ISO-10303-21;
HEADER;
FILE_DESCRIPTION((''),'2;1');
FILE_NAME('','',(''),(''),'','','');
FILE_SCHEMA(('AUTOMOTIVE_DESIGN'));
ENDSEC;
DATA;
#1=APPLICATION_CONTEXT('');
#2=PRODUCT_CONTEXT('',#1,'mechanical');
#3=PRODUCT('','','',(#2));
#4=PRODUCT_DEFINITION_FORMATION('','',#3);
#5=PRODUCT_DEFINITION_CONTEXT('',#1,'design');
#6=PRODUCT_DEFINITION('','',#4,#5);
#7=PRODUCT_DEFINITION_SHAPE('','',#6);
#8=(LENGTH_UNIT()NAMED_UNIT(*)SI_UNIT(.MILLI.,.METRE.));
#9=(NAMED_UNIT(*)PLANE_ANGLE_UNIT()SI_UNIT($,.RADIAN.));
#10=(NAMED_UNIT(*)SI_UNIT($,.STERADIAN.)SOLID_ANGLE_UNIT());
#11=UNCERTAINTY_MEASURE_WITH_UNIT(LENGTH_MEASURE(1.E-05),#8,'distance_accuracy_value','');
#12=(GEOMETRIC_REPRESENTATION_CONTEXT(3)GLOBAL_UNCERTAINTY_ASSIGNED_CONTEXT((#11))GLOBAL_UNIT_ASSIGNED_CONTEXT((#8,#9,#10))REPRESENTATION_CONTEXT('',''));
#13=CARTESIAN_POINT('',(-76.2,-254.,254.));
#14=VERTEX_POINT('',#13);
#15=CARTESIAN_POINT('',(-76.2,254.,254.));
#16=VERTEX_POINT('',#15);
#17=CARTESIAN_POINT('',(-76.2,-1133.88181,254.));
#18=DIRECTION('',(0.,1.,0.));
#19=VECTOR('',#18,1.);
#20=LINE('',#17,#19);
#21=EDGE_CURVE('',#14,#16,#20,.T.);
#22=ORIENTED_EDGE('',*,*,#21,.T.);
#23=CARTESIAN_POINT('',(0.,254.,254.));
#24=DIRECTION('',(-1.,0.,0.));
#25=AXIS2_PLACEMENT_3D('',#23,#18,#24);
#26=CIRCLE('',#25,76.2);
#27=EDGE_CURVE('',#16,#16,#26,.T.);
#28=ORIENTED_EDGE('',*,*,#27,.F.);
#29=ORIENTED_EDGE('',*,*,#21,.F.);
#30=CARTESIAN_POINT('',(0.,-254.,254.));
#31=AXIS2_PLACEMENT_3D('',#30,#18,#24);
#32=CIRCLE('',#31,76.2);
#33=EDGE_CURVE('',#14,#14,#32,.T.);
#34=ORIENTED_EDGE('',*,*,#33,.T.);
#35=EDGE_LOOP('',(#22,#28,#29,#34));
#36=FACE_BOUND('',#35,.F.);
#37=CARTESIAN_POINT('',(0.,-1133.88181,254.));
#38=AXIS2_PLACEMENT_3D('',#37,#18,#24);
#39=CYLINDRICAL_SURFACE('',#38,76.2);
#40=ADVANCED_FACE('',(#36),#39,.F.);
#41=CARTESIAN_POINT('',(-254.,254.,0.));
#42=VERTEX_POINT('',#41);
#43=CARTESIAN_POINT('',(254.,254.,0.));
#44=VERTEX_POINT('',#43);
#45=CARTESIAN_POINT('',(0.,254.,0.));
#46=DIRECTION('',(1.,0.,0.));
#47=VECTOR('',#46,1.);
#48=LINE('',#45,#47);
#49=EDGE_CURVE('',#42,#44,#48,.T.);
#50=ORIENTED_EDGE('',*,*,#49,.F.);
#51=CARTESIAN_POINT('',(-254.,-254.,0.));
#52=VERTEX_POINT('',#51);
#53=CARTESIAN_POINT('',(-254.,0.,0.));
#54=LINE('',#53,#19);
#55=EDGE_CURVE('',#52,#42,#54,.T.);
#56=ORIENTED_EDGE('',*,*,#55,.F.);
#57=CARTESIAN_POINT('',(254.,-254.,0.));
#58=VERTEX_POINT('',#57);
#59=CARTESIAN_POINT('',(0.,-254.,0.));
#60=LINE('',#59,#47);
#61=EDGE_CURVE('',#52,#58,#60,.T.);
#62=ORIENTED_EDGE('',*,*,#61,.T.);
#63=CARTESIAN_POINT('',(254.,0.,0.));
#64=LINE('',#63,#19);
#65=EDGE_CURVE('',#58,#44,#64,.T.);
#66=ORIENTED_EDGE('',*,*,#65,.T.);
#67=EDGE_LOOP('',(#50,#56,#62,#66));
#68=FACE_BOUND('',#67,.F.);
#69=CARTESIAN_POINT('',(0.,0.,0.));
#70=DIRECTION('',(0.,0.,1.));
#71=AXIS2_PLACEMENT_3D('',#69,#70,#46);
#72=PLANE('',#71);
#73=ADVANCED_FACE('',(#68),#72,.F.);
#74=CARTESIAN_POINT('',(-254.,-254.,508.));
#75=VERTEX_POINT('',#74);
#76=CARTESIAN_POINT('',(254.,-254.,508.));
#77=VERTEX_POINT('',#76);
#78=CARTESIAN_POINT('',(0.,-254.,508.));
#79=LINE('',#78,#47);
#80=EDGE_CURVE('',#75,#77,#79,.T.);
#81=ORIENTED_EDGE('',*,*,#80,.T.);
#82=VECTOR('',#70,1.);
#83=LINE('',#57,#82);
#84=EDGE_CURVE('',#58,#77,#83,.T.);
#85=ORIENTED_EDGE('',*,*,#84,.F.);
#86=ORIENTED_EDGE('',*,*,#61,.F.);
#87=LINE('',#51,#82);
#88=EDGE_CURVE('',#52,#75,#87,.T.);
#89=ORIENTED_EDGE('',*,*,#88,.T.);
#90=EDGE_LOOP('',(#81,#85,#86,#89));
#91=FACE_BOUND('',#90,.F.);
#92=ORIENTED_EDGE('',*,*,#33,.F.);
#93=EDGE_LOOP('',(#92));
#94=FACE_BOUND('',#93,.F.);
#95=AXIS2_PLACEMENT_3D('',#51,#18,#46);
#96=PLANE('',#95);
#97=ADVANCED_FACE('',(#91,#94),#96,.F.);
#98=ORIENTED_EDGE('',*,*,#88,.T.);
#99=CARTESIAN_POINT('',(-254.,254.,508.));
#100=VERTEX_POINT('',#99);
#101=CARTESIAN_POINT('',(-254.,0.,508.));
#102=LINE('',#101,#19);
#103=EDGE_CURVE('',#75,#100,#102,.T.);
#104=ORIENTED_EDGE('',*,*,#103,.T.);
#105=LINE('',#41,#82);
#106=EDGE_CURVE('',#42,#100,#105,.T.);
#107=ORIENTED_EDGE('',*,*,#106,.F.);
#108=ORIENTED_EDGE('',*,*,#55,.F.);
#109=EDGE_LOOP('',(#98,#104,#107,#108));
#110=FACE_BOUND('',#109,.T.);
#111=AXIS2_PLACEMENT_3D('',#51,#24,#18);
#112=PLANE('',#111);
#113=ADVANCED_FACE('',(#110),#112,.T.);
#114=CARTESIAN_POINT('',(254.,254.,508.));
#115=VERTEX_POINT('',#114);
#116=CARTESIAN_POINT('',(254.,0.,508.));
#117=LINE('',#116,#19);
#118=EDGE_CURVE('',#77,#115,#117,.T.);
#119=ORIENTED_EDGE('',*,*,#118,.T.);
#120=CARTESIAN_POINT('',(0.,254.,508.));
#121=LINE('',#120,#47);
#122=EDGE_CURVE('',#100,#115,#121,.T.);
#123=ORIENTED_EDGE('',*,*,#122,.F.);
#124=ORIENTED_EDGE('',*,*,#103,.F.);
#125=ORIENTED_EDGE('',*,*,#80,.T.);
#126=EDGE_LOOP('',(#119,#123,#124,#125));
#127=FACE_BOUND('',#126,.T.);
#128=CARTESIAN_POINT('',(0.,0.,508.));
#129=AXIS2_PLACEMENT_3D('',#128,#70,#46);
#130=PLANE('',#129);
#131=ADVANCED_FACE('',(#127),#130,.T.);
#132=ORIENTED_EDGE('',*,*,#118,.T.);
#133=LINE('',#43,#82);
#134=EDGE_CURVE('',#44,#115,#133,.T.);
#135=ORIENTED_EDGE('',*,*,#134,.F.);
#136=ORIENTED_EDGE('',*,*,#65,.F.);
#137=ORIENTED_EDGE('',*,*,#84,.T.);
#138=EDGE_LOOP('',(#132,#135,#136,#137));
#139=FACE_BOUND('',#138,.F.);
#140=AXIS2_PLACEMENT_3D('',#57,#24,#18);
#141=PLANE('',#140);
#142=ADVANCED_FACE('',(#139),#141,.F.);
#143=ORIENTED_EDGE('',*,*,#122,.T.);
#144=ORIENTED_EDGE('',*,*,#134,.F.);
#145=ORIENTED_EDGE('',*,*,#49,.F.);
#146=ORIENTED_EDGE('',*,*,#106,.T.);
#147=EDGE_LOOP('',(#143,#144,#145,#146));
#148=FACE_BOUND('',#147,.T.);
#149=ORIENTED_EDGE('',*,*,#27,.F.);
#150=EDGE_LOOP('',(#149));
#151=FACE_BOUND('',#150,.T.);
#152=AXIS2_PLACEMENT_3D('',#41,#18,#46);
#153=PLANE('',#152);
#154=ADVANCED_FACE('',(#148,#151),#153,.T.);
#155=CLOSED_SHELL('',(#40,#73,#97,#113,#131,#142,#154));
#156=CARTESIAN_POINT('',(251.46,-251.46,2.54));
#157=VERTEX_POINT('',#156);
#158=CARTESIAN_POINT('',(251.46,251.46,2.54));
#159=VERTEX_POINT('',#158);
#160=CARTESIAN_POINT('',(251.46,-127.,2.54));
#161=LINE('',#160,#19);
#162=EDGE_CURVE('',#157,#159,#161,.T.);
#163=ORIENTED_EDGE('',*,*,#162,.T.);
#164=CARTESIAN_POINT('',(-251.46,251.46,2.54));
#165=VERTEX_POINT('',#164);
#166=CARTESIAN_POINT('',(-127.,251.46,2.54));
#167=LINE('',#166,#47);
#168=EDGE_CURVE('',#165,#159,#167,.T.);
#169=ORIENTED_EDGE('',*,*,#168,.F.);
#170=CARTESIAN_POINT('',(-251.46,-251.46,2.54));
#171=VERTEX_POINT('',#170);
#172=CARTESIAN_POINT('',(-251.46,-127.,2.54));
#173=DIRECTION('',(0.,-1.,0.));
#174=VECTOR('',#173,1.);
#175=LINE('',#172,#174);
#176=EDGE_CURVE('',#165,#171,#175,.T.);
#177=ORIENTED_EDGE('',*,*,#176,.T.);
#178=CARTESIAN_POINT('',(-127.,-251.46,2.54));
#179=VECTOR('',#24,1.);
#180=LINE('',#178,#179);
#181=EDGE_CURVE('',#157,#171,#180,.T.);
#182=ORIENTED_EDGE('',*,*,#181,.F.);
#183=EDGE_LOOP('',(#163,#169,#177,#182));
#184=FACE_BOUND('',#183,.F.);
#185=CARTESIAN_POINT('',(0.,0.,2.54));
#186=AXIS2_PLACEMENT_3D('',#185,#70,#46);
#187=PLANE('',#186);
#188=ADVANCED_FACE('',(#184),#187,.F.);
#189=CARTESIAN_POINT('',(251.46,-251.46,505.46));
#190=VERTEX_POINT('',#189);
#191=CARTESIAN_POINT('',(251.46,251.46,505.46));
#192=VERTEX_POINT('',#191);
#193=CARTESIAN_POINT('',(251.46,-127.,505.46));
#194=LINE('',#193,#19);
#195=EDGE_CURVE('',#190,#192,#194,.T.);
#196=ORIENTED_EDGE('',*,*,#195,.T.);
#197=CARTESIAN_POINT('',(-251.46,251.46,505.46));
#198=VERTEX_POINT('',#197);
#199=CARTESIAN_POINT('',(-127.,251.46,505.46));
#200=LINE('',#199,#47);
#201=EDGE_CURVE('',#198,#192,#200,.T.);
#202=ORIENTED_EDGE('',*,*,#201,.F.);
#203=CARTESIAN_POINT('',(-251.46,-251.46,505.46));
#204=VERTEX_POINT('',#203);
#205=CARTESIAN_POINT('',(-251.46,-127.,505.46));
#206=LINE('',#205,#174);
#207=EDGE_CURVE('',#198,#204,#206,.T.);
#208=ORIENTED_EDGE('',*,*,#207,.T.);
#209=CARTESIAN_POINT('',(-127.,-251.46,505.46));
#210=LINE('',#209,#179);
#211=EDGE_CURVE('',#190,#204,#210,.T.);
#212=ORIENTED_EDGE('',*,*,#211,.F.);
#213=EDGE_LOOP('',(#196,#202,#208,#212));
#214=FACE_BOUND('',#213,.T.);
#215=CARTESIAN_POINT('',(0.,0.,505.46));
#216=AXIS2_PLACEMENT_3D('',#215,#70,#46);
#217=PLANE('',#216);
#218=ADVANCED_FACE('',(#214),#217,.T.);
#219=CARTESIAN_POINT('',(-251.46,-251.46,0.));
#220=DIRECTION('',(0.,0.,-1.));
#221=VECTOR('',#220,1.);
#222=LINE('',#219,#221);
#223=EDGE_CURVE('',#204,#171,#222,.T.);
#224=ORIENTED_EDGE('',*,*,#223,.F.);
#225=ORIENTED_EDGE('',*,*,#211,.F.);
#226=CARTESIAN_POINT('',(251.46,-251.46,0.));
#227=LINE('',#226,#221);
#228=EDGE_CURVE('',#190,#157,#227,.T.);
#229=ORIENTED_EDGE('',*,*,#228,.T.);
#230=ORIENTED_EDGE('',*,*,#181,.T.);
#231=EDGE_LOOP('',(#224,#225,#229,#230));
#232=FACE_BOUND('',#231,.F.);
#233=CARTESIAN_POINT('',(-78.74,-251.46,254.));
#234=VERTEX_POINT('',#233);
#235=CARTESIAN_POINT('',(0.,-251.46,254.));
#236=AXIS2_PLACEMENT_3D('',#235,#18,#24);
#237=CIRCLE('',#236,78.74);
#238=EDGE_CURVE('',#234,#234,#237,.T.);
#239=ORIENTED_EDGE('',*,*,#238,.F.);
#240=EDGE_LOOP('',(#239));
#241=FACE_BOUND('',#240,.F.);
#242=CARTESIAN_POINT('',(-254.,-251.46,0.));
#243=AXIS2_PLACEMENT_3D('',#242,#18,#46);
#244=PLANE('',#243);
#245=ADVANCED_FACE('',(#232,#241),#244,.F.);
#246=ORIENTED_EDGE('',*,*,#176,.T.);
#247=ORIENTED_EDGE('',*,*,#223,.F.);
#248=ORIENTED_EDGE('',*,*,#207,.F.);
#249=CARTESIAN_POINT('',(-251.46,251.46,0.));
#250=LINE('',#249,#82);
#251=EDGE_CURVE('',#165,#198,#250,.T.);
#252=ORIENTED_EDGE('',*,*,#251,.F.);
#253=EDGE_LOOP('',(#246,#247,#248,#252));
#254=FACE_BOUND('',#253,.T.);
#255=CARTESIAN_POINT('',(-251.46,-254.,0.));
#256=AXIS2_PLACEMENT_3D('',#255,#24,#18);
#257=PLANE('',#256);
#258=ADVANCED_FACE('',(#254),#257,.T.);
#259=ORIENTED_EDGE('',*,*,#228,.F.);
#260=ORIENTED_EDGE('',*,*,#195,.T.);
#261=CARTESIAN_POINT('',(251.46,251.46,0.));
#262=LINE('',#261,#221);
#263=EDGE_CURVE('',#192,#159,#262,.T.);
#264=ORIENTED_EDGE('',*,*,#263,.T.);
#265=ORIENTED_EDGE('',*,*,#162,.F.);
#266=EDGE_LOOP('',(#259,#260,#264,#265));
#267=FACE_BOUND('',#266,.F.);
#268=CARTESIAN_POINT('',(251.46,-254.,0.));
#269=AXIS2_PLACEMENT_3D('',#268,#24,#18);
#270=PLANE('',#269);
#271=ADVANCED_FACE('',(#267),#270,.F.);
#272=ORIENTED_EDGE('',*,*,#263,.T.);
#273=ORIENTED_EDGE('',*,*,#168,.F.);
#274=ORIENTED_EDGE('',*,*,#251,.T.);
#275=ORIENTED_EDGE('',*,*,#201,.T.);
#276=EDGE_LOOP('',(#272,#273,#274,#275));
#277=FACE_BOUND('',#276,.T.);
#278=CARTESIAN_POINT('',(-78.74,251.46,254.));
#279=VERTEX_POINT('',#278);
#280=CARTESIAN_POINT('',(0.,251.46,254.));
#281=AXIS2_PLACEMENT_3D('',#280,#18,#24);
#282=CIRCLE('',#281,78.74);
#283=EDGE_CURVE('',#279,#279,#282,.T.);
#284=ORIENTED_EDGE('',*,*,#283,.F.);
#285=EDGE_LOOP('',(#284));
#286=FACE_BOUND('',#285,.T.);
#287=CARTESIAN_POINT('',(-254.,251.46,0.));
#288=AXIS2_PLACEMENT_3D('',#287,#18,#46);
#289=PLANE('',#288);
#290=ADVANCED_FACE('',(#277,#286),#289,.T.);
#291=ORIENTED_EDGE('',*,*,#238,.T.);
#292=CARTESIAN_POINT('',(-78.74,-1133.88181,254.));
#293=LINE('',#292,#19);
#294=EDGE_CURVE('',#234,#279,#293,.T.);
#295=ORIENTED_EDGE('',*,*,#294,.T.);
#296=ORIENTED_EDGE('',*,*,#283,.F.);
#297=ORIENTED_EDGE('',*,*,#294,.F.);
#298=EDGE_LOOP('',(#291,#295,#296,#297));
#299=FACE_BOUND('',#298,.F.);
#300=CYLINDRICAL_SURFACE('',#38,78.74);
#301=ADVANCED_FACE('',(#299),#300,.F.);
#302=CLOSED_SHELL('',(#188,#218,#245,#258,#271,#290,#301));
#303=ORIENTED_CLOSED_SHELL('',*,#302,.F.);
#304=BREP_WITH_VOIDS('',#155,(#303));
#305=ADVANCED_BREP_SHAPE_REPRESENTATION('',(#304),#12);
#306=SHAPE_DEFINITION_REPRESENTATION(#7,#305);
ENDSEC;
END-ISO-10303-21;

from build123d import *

# Parameters (mm, degrees)
F0_W     = 508
F0_H     = 508
F1_DEPTH = 508
F3_D     = 152.4
F4_T     = -2.54


with BuildPart() as f1:
    # F0 (on Top) → F1 (new body)
    with BuildSketch(Plane.XY):
        Rectangle(F0_W, F0_H)
    extrude(amount=F1_DEPTH)

    # F3 (through all)
    with Locations(Plane.XZ.offset(254)):
        with Locations((0, 254)):
            Hole(F3_D / 2)

    # F4 (hollow: no face is removed)
    offset(amount=F4_T, mode=Mode.SUBTRACT)


solid = f1.part
